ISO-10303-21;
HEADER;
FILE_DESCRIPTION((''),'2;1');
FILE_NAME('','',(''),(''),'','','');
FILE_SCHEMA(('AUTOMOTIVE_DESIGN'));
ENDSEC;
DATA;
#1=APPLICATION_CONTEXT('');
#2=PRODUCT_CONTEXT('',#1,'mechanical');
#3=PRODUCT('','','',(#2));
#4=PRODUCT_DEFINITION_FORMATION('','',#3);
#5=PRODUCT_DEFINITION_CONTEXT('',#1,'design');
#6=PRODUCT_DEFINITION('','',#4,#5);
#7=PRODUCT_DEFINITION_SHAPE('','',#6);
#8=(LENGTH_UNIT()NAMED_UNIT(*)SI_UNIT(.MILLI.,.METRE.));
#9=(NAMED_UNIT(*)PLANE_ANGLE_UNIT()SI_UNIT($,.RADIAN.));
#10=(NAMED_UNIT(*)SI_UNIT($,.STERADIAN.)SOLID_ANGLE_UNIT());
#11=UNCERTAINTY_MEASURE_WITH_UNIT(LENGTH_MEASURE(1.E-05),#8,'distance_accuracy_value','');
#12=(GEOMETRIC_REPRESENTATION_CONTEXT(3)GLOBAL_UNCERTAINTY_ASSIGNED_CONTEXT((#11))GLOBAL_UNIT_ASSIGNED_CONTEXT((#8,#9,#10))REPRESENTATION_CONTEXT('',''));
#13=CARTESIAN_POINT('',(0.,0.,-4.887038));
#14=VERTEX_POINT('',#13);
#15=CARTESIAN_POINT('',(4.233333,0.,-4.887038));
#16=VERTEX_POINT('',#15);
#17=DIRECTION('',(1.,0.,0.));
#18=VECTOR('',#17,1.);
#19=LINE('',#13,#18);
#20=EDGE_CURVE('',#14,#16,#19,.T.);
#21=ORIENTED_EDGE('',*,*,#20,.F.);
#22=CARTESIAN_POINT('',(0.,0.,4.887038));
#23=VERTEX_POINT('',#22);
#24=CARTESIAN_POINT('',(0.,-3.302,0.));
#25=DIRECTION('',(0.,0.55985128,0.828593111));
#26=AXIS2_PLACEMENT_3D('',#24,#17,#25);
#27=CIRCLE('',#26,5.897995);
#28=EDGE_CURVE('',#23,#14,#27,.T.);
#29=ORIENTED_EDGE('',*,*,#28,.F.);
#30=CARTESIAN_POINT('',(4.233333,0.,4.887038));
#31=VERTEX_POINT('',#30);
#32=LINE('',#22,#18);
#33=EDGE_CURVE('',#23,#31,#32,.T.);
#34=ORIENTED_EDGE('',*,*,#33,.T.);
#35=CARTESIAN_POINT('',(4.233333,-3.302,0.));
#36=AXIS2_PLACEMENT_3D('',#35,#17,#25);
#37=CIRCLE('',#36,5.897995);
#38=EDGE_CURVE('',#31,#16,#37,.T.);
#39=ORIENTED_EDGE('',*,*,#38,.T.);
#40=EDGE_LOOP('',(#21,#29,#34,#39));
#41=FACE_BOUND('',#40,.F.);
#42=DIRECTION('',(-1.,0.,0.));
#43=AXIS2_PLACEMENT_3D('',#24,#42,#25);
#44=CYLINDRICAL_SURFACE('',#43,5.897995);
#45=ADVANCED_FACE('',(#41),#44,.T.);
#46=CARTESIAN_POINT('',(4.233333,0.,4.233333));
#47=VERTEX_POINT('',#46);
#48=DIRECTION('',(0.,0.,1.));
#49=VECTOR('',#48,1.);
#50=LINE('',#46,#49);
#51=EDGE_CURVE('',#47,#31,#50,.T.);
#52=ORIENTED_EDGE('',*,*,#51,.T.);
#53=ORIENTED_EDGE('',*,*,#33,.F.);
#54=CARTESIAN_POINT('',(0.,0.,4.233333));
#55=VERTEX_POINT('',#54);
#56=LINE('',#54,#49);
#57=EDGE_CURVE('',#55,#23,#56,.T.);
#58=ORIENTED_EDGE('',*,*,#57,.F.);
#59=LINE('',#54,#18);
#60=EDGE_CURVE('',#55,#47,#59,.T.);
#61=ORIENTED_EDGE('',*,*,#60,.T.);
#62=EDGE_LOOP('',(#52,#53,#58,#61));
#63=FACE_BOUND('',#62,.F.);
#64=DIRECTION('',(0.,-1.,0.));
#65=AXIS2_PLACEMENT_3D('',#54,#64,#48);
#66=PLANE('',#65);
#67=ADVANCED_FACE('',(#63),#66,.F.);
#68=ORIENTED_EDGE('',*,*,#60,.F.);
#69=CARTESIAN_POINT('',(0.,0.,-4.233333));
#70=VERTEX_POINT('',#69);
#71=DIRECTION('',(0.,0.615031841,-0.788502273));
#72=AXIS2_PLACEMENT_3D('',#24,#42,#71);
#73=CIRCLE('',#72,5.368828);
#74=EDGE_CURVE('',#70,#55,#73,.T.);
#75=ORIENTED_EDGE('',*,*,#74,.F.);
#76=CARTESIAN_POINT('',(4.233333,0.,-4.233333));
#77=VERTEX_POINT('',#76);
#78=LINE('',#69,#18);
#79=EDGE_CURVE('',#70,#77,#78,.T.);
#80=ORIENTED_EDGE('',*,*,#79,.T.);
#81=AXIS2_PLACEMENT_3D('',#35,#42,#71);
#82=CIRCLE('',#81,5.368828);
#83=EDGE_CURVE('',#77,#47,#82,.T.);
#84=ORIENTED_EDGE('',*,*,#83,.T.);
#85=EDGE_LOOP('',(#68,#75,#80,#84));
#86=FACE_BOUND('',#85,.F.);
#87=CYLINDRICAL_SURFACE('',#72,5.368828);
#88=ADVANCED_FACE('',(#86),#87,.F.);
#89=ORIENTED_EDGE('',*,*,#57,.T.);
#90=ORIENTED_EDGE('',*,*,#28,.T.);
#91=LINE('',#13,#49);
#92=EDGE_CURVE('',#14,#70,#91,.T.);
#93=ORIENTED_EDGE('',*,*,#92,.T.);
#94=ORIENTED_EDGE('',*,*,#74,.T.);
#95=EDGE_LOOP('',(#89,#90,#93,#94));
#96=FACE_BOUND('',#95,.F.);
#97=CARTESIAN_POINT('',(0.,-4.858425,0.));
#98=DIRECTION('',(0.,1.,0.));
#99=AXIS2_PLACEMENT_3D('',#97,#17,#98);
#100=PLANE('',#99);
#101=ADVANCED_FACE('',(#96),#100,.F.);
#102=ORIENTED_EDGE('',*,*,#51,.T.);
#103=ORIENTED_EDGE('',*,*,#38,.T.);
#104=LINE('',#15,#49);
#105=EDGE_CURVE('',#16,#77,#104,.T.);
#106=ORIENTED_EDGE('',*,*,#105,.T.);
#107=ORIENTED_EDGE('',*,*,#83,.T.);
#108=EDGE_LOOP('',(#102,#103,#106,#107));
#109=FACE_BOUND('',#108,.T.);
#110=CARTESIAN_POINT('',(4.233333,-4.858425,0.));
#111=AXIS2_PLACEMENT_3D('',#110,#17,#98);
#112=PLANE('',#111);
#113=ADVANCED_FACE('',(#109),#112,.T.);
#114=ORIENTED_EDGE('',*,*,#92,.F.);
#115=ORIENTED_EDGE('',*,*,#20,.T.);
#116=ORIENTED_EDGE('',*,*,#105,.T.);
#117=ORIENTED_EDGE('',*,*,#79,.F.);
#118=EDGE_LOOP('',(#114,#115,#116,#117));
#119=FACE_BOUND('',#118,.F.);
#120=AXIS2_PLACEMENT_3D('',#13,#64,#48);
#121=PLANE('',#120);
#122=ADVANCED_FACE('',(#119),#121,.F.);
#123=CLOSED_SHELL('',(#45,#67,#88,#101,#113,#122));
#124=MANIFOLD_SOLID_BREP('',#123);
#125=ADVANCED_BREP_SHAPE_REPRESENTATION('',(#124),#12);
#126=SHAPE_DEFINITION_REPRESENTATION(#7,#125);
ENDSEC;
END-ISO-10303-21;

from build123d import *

# Parameters (mm, degrees)
F1_DEPTH = 4.233333


with BuildPart() as f1:
    # F0 (on Right) → F1 (new body)
    with BuildSketch(Plane.YZ):
        with BuildLine():
            ThreePointArc((0, -4.233333), (-8.670828, 0), (0, 4.233333))
            Line((0, 4.233333), (0, 4.887038))
            ThreePointArc((0, 4.887038), (-9.199995, 0), (0, -4.887038))
            Line((0, -4.887038), (0, -4.233333))
        make_face()
    extrude(amount=F1_DEPTH)


solid = f1.part
